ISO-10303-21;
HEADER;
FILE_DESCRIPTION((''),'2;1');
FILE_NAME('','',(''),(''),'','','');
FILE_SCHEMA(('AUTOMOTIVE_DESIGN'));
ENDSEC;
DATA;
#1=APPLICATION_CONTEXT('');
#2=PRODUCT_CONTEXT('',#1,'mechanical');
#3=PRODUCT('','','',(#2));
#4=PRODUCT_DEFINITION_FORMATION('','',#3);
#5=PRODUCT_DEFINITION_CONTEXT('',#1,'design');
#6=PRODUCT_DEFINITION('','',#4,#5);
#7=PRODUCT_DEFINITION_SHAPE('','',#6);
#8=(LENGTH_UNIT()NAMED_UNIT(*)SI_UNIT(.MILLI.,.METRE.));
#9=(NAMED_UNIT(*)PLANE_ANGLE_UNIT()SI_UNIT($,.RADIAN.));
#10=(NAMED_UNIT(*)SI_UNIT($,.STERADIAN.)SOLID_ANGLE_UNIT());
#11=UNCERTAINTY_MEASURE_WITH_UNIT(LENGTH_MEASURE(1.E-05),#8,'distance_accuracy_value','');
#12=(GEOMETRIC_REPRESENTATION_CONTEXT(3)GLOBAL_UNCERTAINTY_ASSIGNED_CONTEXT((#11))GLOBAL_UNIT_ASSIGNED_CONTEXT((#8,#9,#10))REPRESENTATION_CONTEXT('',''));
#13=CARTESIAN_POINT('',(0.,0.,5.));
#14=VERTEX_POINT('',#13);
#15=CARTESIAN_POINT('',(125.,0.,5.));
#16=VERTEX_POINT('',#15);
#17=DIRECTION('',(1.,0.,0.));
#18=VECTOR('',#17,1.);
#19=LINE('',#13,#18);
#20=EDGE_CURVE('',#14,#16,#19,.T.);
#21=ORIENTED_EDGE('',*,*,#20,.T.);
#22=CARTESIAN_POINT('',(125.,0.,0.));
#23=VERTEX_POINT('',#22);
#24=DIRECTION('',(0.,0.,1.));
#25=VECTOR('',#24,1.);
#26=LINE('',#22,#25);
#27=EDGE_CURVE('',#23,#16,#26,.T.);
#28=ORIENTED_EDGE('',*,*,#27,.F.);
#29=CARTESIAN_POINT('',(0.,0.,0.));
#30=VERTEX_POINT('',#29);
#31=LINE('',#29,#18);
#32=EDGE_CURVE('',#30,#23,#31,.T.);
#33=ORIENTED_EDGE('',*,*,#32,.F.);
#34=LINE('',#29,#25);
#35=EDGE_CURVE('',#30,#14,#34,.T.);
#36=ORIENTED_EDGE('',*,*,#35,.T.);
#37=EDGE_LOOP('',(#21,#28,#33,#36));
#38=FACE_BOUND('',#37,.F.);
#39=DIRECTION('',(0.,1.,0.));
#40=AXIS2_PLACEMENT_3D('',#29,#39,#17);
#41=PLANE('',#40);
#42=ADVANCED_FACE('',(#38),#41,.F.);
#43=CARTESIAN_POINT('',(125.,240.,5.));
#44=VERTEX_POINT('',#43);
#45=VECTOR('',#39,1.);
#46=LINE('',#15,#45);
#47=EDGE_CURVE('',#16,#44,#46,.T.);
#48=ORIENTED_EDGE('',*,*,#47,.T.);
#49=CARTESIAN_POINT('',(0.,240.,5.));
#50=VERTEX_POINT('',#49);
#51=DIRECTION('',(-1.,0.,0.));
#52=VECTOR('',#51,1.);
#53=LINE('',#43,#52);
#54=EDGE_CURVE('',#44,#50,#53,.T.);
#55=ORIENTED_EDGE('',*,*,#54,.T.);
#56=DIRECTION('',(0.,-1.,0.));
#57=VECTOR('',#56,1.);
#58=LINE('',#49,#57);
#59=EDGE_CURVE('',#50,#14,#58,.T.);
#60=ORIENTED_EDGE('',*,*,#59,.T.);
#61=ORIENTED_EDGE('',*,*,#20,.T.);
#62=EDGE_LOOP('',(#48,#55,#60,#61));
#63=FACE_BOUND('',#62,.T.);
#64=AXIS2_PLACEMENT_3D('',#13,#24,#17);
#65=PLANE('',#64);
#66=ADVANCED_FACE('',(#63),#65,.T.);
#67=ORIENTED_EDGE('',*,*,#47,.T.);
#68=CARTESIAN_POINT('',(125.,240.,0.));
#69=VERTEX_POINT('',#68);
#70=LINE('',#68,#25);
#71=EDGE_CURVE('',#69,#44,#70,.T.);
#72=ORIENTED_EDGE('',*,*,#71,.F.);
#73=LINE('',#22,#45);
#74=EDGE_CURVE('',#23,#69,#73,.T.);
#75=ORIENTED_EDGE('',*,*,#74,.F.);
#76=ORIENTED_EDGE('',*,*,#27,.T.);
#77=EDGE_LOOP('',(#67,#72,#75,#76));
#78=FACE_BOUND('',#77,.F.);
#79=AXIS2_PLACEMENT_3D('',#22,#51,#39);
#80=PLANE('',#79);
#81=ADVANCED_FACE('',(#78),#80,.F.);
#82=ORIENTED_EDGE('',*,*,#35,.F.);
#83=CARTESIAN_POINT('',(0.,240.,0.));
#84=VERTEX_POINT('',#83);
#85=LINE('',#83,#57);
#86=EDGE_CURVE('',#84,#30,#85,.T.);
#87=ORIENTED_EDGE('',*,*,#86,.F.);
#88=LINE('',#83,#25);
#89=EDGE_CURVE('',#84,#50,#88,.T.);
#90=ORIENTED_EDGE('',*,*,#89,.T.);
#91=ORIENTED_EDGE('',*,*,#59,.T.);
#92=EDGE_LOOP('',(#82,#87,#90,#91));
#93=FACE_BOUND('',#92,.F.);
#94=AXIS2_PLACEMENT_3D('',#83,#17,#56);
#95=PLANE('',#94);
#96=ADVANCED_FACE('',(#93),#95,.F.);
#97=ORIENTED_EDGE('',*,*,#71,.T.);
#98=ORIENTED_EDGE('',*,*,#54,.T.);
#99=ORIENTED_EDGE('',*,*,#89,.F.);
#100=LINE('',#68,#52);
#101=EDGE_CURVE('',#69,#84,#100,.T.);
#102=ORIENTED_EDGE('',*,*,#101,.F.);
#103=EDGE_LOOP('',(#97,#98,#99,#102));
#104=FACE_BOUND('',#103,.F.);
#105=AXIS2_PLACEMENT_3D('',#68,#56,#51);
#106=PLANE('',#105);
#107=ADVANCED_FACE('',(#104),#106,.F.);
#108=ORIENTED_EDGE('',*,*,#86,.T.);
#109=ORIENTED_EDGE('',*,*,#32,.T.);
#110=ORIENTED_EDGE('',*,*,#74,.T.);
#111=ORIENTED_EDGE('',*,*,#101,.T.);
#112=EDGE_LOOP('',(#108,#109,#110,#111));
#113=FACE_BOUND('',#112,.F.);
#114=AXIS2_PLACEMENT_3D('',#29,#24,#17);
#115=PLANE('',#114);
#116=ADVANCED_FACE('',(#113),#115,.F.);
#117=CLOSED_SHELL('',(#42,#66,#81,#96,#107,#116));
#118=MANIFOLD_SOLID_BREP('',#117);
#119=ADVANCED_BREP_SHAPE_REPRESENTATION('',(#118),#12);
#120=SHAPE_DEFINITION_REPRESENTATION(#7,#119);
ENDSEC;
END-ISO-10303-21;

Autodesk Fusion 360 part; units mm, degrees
sketch "Sketch1" plane through (0, 0, 0) normal (0, 0, 1) x (1, 0, 0)
  line L0 (0, 0) -> (125, 0)
  line L1 (125, 0) -> (125, 240)
  line L2 (125, 240) -> (0, 240)
  line L3 (0, 240) -> (0, 0)
  dimension "d1" = 125
  dimension "d2" = 240
extrude "Extrude1" add sketch "Sketch1" along normal blind 5
